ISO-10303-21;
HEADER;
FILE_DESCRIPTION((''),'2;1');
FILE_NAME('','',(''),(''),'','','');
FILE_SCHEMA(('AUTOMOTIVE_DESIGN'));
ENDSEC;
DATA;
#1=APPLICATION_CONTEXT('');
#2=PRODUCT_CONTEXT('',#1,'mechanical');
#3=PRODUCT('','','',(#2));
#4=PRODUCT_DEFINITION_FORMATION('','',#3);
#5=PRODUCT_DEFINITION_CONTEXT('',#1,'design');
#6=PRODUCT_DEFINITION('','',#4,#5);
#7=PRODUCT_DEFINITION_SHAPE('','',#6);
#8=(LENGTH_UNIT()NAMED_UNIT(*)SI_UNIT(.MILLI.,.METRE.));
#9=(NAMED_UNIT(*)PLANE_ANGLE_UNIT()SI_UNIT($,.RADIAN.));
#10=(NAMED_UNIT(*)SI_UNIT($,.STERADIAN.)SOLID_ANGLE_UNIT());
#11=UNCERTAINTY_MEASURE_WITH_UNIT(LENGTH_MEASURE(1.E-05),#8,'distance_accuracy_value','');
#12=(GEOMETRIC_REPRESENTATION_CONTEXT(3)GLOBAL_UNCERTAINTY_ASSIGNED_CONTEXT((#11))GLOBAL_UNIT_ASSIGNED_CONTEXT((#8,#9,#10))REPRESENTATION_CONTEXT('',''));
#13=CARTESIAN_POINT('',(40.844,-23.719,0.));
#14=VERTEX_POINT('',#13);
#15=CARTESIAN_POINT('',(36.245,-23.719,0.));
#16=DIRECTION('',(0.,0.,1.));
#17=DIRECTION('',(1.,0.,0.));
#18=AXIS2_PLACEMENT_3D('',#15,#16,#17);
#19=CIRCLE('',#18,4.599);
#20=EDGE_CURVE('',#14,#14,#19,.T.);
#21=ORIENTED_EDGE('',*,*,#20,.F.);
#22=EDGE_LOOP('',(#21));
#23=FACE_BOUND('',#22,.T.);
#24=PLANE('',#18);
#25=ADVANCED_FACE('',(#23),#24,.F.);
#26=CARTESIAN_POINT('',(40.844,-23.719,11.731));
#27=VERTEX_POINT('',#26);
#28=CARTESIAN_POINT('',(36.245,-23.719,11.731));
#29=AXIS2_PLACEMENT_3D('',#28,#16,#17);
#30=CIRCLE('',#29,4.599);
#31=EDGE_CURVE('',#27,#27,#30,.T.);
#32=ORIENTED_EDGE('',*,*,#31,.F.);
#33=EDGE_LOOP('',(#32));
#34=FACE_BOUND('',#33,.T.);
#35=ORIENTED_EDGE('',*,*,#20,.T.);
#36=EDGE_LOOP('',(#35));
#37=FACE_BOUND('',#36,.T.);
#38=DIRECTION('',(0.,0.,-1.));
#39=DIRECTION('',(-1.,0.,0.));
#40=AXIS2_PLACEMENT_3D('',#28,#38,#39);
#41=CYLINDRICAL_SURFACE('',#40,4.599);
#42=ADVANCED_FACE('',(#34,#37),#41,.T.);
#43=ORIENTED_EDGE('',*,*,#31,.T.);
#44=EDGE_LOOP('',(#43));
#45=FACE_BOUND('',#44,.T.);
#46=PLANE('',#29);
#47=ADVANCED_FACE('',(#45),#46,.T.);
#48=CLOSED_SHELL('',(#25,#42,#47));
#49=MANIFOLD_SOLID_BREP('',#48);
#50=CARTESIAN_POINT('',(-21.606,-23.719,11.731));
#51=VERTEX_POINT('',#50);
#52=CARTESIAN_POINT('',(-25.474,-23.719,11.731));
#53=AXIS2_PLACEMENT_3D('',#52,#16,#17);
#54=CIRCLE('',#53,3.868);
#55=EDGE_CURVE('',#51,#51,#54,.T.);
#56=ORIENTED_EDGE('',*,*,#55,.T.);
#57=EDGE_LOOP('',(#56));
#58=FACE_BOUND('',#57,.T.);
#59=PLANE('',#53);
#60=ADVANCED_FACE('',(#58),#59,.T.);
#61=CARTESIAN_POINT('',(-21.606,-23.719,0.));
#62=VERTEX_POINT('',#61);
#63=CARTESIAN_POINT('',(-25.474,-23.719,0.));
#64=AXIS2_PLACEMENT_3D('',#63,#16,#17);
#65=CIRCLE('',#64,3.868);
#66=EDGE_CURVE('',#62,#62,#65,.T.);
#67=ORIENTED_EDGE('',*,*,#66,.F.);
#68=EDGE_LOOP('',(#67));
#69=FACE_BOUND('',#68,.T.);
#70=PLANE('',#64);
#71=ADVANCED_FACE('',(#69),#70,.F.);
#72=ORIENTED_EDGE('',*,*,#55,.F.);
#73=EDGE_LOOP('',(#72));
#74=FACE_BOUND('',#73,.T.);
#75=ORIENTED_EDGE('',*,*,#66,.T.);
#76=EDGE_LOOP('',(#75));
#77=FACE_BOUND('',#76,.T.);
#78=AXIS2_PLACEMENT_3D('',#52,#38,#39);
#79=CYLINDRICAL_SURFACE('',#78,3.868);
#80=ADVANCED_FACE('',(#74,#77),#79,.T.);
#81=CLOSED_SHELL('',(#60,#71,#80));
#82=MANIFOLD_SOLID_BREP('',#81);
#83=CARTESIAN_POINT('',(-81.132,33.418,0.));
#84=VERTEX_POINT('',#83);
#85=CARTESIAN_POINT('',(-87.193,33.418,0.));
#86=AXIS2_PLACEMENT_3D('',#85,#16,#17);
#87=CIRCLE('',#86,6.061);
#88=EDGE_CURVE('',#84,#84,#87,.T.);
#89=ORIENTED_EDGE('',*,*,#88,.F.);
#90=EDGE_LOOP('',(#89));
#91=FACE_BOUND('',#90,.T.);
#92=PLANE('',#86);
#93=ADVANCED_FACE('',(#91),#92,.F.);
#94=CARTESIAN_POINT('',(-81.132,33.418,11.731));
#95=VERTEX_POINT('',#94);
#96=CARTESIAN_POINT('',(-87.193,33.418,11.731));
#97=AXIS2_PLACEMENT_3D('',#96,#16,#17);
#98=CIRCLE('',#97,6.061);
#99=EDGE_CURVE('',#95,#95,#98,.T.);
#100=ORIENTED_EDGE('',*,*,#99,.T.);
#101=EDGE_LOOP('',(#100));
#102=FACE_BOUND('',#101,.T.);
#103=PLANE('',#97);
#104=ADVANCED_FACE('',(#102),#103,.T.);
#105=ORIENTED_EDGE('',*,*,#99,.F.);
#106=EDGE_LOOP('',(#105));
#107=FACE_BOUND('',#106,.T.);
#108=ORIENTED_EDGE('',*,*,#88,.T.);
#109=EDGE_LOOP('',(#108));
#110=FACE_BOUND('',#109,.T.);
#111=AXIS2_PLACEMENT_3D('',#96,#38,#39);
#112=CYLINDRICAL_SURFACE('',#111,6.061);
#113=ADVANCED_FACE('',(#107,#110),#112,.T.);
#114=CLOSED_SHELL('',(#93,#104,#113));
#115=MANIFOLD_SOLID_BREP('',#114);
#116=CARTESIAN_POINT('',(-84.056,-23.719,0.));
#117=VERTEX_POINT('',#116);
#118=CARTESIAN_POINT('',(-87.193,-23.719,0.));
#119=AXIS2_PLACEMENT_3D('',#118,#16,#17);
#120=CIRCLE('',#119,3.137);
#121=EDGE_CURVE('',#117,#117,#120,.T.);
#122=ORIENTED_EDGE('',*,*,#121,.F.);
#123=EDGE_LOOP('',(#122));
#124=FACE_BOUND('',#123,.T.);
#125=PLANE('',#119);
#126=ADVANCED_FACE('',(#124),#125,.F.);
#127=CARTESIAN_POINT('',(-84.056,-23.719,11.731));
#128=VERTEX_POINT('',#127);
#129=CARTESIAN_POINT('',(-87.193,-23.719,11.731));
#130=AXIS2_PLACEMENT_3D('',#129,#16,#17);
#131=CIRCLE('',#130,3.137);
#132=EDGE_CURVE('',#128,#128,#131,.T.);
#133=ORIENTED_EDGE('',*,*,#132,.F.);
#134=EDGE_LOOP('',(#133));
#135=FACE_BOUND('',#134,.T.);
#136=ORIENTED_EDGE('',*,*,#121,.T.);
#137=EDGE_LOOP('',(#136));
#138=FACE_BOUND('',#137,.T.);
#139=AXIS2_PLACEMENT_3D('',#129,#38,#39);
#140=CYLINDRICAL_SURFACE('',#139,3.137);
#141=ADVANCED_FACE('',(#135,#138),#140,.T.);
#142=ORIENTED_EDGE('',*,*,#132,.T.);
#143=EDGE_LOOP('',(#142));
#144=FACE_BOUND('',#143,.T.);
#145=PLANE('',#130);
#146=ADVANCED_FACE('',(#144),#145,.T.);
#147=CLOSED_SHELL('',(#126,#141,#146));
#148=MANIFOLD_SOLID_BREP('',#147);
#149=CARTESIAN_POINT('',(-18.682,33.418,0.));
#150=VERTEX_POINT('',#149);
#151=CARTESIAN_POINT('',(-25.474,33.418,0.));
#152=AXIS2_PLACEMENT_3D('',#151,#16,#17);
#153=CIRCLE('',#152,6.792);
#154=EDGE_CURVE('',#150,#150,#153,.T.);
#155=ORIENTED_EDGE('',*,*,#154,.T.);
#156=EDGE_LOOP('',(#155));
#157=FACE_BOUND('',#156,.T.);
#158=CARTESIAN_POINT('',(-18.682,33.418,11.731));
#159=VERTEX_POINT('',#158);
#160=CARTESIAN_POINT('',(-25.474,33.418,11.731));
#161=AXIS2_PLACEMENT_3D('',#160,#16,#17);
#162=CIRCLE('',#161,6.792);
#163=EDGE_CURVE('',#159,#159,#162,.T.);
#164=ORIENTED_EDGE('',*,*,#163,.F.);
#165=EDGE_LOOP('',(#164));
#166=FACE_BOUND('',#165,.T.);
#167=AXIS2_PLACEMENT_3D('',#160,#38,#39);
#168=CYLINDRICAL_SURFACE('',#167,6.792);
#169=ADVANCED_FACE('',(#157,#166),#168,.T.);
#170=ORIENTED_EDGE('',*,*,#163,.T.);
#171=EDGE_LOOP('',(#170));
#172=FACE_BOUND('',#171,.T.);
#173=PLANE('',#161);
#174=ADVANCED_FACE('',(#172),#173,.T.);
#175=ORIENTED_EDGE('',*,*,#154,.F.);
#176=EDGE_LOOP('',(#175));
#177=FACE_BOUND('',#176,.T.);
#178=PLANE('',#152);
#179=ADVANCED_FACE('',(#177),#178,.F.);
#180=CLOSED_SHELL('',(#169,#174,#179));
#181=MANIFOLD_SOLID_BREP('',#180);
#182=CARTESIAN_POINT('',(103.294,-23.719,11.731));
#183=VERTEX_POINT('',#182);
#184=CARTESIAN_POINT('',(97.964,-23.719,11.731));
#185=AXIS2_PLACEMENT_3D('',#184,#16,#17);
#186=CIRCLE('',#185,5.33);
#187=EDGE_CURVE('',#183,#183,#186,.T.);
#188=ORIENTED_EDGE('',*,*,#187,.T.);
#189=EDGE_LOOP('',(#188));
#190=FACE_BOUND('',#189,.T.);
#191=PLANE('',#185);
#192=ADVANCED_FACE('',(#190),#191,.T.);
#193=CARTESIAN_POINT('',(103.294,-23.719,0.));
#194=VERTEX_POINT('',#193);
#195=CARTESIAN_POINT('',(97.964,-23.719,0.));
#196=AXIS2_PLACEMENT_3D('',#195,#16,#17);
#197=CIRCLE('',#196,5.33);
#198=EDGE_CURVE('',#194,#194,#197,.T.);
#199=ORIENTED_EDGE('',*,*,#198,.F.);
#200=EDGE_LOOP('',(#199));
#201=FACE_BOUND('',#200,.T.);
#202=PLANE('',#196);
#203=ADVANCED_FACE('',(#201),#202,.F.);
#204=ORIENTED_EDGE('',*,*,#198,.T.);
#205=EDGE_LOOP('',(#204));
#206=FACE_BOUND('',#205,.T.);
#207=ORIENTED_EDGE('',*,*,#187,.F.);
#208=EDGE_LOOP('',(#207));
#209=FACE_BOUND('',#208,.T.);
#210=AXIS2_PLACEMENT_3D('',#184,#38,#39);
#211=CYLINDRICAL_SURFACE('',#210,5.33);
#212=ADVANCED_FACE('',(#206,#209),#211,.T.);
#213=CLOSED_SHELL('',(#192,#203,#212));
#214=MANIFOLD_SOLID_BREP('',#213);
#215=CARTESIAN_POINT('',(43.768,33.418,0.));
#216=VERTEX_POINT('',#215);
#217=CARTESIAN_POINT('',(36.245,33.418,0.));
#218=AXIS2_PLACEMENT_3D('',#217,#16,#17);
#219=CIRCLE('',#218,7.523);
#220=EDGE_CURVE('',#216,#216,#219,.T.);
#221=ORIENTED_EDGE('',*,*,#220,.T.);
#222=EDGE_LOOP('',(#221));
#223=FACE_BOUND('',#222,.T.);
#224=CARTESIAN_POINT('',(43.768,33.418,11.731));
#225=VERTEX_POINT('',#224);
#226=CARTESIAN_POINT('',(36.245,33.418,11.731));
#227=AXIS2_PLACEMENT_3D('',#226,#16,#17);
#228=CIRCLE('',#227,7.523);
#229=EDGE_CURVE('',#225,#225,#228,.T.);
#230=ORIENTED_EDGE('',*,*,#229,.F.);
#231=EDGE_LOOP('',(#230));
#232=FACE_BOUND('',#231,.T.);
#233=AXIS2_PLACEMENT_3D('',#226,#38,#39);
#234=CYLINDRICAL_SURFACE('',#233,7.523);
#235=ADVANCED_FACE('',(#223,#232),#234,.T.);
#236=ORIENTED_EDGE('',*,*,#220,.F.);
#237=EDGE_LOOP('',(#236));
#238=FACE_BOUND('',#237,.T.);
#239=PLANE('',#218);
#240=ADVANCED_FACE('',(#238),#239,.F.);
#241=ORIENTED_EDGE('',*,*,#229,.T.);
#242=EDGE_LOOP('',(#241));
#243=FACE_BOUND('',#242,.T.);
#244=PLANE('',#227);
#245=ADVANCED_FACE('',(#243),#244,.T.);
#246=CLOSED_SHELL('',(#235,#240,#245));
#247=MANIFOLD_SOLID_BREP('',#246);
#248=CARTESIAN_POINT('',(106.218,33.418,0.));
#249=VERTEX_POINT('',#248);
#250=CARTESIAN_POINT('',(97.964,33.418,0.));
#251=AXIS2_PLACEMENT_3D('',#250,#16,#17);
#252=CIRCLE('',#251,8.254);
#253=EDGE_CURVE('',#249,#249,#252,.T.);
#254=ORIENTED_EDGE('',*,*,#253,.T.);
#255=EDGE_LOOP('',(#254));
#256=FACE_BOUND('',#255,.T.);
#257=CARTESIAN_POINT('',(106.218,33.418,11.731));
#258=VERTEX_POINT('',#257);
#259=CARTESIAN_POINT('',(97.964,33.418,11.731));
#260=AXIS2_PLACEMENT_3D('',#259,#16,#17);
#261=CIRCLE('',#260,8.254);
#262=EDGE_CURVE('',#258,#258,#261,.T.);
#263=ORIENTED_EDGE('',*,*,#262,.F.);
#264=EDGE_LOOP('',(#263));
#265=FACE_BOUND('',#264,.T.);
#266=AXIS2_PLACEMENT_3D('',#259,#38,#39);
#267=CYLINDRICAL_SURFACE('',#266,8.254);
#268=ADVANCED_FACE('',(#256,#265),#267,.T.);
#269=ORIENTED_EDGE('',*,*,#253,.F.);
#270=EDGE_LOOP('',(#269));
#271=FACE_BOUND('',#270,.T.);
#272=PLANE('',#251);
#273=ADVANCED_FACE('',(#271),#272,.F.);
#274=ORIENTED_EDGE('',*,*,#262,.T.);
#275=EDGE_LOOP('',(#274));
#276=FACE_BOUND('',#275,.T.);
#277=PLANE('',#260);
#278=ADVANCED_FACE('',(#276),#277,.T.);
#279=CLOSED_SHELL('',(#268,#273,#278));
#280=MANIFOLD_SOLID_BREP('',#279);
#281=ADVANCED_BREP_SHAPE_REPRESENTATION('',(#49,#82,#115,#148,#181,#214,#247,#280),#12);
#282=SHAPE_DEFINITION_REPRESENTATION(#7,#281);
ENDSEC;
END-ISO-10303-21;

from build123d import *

# Parameters (mm, degrees)
CURVESKETCH_R     = 3.137
CURVEBOSS_DEPTH   = 11.731
CURVESKETCH_R_2   = 3.868
CURVEBOSS_2_DEPTH = 11.731
CURVESKETCH_R_3   = 4.599
CURVEBOSS_3_DEPTH = 11.731
CURVESKETCH_R_4   = 5.33
CURVEBOSS_4_DEPTH = 11.731
CURVESKETCH_R_5   = 6.061
CURVEBOSS_5_DEPTH = 11.731
CURVESKETCH_R_6   = 6.792
CURVEBOSS_6_DEPTH = 11.731
CURVESKETCH_R_7   = 7.523
CURVEBOSS_7_DEPTH = 11.731
CURVESKETCH_R_8   = 8.254
CURVEBOSS_8_DEPTH = 11.731


with BuildPart() as part:
    # CurveSketch → CurveBoss (new body)
    with BuildSketch(Plane.XY):
        with Locations((-87.193, -23.719)):
            Circle(CURVESKETCH_R)
    extrude(amount=CURVEBOSS_DEPTH)


with BuildPart() as body_2:
    # CurveSketch → CurveBoss 2 (new body)
    with BuildSketch(Plane.XY):
        with Locations((-25.474, -23.719)):
            Circle(CURVESKETCH_R_2)
    extrude(amount=CURVEBOSS_2_DEPTH)


with BuildPart() as body_3:
    # CurveSketch → CurveBoss 3 (new body)
    with BuildSketch(Plane.XY):
        with Locations((36.245, -23.719)):
            Circle(CURVESKETCH_R_3)
    extrude(amount=CURVEBOSS_3_DEPTH)


with BuildPart() as body_4:
    # CurveSketch → CurveBoss 4 (new body)
    with BuildSketch(Plane.XY):
        with Locations((97.964, -23.719)):
            Circle(CURVESKETCH_R_4)
    extrude(amount=CURVEBOSS_4_DEPTH)


with BuildPart() as body_5:
    # CurveSketch → CurveBoss 5 (new body)
    with BuildSketch(Plane.XY):
        with Locations((-87.193, 33.418)):
            Circle(CURVESKETCH_R_5)
    extrude(amount=CURVEBOSS_5_DEPTH)


with BuildPart() as body_6:
    # CurveSketch → CurveBoss 6 (new body)
    with BuildSketch(Plane.XY):
        with Locations((-25.474, 33.418)):
            Circle(CURVESKETCH_R_6)
    extrude(amount=CURVEBOSS_6_DEPTH)


with BuildPart() as body_7:
    # CurveSketch → CurveBoss 7 (new body)
    with BuildSketch(Plane.XY):
        with Locations((36.245, 33.418)):
            Circle(CURVESKETCH_R_7)
    extrude(amount=CURVEBOSS_7_DEPTH)


with BuildPart() as body_8:
    # CurveSketch → CurveBoss 8 (new body)
    with BuildSketch(Plane.XY):
        with Locations((97.964, 33.418)):
            Circle(CURVESKETCH_R_8)
    extrude(amount=CURVEBOSS_8_DEPTH)


solid = Compound([part.part, body_2.part, body_3.part, body_4.part, body_5.part, body_6.part, body_7.part, body_8.part])
